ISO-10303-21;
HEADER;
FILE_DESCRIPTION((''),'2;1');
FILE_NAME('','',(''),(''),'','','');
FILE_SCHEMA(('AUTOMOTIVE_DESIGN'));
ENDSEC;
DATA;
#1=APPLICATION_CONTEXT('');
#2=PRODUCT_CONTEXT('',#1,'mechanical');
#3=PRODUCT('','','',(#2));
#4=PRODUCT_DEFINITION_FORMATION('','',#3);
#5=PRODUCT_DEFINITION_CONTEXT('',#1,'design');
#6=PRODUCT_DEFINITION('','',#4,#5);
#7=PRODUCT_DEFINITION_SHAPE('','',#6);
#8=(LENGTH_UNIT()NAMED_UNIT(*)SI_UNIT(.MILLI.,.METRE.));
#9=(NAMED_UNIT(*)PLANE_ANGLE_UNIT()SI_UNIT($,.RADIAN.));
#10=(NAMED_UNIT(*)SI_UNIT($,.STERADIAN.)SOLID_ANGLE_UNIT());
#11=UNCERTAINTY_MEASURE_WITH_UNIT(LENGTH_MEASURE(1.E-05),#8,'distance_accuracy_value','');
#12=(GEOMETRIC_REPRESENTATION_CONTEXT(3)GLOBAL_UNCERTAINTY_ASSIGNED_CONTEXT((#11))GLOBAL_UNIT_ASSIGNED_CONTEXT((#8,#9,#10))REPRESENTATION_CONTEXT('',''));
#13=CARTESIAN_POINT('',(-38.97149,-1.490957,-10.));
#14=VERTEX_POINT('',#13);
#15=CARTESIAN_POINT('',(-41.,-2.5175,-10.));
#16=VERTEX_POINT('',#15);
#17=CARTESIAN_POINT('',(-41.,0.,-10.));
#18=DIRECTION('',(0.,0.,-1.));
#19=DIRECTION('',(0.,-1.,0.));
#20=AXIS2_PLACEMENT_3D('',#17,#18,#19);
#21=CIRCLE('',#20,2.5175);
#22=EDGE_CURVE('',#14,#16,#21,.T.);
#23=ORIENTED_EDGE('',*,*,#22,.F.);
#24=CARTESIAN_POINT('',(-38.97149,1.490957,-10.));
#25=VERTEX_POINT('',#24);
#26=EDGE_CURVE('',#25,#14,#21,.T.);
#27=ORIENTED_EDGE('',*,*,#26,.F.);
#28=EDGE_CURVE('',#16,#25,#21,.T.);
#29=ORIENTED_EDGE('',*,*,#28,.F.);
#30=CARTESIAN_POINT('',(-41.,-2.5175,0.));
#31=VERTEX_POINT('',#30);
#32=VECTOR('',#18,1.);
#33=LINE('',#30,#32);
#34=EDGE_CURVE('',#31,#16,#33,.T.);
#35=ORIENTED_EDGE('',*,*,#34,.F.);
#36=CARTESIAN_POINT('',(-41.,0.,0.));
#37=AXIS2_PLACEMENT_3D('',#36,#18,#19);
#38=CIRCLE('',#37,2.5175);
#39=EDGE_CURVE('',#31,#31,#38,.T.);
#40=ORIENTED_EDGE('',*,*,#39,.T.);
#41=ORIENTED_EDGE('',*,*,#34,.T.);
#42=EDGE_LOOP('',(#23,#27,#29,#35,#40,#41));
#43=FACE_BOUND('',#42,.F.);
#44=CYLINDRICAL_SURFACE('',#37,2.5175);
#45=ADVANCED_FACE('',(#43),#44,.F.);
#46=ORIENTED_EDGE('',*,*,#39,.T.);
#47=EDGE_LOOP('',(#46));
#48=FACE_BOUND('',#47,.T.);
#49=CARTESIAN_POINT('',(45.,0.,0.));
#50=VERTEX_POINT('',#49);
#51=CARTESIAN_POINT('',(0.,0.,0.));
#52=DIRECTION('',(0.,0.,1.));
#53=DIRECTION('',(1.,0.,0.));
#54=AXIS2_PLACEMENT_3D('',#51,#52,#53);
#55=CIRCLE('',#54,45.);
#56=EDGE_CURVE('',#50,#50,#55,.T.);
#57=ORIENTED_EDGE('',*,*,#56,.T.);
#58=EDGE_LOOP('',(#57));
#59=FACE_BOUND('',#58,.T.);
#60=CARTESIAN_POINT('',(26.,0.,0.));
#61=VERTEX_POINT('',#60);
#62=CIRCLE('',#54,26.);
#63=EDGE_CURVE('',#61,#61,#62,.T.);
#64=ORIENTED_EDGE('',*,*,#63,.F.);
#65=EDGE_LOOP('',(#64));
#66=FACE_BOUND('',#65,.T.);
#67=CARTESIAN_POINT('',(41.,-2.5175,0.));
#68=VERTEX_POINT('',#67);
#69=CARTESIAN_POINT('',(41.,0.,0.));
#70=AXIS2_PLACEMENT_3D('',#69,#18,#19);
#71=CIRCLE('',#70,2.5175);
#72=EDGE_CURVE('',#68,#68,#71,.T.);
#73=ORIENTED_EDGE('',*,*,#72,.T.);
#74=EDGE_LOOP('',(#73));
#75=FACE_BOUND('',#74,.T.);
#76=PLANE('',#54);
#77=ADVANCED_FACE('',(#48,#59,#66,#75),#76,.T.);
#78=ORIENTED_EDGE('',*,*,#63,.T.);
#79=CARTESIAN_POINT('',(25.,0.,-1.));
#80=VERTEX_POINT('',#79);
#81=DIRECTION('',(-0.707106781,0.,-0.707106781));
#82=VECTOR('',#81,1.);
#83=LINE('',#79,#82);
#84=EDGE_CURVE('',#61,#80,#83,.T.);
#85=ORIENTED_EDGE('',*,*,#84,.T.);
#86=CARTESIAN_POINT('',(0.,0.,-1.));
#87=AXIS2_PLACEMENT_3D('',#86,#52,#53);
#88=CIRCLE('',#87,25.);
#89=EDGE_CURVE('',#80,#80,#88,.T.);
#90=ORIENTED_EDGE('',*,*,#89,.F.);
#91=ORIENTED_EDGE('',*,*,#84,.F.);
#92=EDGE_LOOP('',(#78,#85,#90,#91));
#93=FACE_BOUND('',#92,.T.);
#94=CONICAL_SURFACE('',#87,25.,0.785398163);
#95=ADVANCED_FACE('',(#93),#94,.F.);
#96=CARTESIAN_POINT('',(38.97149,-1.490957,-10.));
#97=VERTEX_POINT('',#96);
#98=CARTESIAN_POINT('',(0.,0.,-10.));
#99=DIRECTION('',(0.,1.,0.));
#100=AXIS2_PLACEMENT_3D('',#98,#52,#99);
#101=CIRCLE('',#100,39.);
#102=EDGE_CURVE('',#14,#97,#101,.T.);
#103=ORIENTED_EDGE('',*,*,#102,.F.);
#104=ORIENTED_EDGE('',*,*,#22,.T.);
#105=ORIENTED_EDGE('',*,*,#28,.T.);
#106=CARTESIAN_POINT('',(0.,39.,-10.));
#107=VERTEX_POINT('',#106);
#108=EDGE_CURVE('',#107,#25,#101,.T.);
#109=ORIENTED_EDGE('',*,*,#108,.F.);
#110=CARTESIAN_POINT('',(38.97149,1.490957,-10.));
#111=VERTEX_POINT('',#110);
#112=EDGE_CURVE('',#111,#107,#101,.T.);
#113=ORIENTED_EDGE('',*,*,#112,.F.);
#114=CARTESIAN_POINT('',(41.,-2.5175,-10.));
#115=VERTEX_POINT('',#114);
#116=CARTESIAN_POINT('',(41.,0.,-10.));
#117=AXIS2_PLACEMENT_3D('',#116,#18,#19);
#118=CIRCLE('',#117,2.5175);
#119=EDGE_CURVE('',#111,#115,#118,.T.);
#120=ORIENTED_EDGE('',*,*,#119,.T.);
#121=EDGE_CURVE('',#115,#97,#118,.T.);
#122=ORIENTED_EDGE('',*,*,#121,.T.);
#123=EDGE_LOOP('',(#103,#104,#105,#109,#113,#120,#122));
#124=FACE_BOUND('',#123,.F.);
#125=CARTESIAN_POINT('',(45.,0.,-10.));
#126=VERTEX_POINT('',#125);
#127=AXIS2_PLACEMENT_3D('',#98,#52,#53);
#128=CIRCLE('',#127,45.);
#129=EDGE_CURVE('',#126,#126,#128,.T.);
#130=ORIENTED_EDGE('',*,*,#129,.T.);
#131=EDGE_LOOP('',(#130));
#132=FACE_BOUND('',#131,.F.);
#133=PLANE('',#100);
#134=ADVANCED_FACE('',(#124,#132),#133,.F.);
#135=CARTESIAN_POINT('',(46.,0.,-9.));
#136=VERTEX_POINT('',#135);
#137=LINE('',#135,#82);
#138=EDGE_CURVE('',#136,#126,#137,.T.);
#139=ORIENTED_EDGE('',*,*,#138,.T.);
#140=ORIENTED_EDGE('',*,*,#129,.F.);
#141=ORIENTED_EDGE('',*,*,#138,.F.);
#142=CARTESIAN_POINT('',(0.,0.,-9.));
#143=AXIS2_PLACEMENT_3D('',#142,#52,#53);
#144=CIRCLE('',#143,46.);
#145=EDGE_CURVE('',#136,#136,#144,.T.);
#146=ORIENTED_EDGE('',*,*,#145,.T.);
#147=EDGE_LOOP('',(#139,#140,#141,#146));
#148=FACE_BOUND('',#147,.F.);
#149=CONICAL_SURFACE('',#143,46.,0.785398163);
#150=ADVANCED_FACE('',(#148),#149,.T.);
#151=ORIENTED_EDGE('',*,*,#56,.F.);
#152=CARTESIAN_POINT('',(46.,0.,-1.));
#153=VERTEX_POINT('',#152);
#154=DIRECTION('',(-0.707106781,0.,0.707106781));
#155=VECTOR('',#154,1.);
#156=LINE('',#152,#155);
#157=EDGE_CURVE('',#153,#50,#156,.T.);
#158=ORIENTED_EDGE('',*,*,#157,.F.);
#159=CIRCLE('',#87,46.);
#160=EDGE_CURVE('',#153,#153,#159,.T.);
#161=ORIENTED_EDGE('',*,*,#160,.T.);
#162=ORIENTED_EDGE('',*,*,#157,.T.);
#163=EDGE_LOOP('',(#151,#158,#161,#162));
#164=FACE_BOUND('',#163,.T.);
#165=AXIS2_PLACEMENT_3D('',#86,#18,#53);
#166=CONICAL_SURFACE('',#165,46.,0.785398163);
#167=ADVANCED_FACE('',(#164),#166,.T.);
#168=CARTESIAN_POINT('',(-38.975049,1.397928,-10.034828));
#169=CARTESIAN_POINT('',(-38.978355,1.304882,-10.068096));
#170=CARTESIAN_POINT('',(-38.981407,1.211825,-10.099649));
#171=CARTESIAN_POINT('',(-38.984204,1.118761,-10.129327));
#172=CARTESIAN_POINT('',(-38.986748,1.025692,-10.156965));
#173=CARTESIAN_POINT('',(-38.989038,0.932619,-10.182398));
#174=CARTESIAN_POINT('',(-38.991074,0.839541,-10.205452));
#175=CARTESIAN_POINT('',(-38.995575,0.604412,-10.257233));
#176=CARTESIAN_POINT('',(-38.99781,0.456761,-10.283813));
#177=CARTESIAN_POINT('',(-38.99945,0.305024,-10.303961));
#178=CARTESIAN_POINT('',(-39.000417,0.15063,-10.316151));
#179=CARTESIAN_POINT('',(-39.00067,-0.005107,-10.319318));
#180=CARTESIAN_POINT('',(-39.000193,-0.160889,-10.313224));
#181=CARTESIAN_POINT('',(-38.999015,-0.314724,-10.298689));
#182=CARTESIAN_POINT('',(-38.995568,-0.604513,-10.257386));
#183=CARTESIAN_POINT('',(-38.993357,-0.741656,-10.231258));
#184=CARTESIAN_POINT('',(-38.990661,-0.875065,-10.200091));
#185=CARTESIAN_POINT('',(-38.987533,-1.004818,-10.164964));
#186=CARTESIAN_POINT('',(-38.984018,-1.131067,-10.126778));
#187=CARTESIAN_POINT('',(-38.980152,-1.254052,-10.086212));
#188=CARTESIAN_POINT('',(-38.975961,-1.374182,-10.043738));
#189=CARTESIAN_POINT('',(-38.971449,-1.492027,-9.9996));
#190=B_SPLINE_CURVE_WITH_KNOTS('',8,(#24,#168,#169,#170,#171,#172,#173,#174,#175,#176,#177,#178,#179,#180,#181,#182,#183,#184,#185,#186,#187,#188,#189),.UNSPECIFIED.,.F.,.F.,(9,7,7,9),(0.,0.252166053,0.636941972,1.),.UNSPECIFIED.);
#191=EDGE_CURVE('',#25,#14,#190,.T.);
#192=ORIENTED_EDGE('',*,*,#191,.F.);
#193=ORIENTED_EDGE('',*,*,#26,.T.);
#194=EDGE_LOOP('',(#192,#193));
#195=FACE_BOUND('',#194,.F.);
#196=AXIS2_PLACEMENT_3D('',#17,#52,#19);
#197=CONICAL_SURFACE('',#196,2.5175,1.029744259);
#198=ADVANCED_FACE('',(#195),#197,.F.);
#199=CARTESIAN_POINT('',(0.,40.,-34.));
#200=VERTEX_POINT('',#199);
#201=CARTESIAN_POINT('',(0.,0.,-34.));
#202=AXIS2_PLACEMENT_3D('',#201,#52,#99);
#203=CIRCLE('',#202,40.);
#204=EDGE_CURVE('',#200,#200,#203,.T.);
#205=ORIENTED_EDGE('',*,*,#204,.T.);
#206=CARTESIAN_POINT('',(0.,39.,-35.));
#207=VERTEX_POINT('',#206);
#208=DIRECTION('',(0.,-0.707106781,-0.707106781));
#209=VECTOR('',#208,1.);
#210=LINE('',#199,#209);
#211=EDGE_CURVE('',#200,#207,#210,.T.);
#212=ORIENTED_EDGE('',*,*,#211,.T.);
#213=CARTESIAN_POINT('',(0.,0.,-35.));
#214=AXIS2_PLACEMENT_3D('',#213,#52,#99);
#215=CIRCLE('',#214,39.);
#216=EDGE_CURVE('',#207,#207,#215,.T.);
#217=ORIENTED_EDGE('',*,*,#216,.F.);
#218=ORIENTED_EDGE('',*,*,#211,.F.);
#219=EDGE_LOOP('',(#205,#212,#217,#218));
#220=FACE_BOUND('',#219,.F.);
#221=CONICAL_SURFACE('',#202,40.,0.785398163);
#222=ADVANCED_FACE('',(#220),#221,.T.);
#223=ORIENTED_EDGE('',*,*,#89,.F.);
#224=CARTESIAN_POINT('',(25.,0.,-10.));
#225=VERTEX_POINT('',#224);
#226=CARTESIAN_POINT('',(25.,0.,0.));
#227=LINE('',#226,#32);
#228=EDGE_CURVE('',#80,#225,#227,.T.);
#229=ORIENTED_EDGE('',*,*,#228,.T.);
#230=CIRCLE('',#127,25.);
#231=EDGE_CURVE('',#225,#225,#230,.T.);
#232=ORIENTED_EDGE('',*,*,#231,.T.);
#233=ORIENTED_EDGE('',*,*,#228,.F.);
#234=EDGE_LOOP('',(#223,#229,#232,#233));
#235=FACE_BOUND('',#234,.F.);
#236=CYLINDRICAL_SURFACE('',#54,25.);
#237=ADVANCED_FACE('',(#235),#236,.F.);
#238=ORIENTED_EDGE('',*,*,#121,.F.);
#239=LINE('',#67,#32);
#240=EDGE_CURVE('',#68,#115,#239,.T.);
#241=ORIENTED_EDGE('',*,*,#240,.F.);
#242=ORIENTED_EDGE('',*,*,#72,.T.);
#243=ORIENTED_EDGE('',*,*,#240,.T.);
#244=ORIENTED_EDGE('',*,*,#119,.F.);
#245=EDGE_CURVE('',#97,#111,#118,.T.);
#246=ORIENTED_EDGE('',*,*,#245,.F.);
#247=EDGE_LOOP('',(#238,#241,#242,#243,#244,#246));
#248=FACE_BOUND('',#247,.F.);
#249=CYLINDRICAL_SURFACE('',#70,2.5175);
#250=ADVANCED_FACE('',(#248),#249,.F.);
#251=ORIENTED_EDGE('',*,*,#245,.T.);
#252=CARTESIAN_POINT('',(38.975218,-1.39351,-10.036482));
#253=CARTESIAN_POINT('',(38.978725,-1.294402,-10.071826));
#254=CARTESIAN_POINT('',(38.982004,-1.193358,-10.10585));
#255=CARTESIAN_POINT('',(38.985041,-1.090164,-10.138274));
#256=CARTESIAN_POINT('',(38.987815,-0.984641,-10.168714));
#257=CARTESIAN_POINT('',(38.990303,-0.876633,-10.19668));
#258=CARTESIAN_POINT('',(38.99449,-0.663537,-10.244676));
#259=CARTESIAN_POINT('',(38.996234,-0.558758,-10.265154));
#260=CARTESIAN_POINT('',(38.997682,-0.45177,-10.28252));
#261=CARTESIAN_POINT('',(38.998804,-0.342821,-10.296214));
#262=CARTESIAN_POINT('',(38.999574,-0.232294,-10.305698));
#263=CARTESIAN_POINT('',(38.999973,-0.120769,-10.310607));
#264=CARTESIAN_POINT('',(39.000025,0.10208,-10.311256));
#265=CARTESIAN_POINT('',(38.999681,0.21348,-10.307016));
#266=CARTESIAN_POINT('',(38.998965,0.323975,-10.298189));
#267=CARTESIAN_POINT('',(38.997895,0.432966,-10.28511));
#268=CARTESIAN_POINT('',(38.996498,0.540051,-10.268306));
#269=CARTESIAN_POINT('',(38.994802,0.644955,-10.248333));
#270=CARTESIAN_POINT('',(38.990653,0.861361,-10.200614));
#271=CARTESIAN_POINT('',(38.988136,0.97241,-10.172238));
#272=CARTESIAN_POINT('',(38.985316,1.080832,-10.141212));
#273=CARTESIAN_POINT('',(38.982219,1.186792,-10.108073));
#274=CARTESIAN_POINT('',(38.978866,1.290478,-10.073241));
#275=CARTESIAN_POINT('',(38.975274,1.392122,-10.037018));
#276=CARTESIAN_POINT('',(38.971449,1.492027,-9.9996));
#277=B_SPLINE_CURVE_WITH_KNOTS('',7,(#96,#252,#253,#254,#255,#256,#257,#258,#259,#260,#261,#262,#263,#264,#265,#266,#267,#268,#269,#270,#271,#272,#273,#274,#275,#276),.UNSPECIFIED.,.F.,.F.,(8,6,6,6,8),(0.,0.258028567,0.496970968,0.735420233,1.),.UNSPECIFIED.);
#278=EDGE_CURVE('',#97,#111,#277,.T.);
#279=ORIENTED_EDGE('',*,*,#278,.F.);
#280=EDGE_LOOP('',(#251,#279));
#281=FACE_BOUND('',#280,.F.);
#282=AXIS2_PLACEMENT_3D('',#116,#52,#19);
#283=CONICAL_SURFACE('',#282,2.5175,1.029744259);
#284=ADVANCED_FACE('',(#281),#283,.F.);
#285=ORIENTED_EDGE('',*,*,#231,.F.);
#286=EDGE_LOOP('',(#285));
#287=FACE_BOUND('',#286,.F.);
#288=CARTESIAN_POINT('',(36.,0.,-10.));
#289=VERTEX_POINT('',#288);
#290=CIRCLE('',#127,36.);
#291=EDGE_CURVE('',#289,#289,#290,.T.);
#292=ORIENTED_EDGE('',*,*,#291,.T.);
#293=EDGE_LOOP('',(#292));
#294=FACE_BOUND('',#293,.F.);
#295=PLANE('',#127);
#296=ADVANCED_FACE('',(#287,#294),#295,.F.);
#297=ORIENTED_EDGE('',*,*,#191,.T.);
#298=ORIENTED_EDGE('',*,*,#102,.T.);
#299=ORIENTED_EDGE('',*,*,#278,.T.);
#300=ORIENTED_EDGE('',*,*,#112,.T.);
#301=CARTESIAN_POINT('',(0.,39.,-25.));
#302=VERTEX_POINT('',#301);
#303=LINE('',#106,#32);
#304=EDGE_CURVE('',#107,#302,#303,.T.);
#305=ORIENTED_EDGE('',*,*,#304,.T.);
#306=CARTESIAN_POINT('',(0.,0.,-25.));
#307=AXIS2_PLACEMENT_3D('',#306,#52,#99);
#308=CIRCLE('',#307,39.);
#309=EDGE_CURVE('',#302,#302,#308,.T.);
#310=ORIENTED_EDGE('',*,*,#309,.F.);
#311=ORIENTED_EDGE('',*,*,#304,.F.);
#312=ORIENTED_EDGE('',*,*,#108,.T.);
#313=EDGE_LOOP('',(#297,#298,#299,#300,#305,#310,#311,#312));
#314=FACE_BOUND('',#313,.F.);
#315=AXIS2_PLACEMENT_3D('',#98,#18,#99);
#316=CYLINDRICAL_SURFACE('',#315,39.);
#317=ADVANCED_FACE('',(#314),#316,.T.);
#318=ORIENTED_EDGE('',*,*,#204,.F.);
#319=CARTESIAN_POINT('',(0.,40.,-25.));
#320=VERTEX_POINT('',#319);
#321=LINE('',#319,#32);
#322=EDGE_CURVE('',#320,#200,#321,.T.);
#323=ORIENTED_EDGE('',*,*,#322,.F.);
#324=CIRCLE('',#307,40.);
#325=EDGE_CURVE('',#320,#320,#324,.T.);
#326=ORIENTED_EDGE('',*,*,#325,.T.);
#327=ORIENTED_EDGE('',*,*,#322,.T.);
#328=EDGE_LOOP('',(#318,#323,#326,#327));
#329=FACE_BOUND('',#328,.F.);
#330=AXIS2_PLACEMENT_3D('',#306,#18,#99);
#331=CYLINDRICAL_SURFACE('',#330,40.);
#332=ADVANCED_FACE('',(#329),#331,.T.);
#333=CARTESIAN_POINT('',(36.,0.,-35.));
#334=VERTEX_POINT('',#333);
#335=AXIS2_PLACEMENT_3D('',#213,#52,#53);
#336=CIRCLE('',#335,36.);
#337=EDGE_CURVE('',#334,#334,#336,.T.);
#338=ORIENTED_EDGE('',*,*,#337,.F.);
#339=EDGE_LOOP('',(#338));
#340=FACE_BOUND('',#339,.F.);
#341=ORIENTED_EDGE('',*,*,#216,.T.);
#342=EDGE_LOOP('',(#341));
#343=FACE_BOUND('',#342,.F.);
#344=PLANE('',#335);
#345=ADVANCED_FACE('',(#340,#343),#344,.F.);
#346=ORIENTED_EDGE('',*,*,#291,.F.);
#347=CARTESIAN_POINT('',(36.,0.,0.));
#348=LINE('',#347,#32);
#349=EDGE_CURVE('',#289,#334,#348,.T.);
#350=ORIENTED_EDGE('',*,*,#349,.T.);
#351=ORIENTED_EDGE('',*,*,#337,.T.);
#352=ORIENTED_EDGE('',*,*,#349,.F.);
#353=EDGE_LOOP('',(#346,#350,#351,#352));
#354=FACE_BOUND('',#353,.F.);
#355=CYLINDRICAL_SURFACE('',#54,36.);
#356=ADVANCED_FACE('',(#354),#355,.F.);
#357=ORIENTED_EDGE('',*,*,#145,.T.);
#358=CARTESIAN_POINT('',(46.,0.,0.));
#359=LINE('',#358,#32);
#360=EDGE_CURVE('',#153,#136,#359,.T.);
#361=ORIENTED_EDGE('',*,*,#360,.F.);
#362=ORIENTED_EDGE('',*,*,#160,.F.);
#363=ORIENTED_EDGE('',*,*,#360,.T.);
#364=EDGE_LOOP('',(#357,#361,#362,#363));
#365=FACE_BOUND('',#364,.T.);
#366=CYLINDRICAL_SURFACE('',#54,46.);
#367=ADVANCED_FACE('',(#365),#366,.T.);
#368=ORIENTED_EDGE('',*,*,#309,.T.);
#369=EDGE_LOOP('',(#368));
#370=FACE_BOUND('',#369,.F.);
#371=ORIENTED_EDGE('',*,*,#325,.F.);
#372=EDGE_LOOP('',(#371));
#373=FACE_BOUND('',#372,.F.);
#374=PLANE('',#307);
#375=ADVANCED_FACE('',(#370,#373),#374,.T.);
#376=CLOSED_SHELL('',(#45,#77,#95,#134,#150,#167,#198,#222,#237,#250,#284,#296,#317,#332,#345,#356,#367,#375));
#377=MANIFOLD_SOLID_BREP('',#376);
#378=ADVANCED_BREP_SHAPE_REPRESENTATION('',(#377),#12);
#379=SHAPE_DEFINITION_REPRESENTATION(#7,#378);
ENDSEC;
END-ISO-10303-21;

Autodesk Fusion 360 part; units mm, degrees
sketch "Sketch2" plane through (0, 0, 0) normal (0, 0, 1) x (1, 0, 0)
  circle A0 centre (0, 0) radius 46
  circle A1 centre (0, 0) radius 25
  line L0 (0, 1.75) -> (0, 22.5) construction
  circle A2 centre (0, 0) radius 36
  point P0 (-41, 0)
  point P1 (41, 0)
  dimension "d4" = 50
  dimension "d5" = 82
  dimension "d6" = 92
  dimension "d7" = -10
extrude "Extrude1" add sketch "Sketch2" against normal blind 35 contours A0
extrude "Extrude2" add sketch "Sketch2" against normal blind 10 contours A2
hole "Hole1" at (-41, 0, 0) at (41, 0, 0) direction (0, 0, -1) diameter 5.035 depth 10 tip angle 118
sketch "Sketch3" plane through (0, 0, 0) normal (1, 0, 0) x (0, 0, -1)
  line L0 (10, 46) -> (10, 39)
  line L1 (10, 39) -> (25, 39)
  line L2 (25, 39) -> (25, 40)
  line L3 (25, 40) -> (35, 40)
  line L4 (-1.75, 0) -> (-22.5, 0) construction
  line L5 (35, -46) -> (35, 46)
  line L6 (0, 46) -> (0, -46)
  line L7 (35, 46) -> (10, 46)
  dimension "d15" = 40
  dimension "d16" = 1
  dimension "d17" = 25
  dimension "d18" = 10
revolve "Revolve1" cut sketch "Sketch3" angle 360 about axis through (0, 0, 1.75) along (0, 0, 1)
chamfer "Chamfer1" distance 1 angle 45 4 edges at (-42.8871, -16.6343, 0) (-42.8871, -16.6343, -10) (-14.4646, -37.2931, -35) (-23.3082, 9.0404, 0)
